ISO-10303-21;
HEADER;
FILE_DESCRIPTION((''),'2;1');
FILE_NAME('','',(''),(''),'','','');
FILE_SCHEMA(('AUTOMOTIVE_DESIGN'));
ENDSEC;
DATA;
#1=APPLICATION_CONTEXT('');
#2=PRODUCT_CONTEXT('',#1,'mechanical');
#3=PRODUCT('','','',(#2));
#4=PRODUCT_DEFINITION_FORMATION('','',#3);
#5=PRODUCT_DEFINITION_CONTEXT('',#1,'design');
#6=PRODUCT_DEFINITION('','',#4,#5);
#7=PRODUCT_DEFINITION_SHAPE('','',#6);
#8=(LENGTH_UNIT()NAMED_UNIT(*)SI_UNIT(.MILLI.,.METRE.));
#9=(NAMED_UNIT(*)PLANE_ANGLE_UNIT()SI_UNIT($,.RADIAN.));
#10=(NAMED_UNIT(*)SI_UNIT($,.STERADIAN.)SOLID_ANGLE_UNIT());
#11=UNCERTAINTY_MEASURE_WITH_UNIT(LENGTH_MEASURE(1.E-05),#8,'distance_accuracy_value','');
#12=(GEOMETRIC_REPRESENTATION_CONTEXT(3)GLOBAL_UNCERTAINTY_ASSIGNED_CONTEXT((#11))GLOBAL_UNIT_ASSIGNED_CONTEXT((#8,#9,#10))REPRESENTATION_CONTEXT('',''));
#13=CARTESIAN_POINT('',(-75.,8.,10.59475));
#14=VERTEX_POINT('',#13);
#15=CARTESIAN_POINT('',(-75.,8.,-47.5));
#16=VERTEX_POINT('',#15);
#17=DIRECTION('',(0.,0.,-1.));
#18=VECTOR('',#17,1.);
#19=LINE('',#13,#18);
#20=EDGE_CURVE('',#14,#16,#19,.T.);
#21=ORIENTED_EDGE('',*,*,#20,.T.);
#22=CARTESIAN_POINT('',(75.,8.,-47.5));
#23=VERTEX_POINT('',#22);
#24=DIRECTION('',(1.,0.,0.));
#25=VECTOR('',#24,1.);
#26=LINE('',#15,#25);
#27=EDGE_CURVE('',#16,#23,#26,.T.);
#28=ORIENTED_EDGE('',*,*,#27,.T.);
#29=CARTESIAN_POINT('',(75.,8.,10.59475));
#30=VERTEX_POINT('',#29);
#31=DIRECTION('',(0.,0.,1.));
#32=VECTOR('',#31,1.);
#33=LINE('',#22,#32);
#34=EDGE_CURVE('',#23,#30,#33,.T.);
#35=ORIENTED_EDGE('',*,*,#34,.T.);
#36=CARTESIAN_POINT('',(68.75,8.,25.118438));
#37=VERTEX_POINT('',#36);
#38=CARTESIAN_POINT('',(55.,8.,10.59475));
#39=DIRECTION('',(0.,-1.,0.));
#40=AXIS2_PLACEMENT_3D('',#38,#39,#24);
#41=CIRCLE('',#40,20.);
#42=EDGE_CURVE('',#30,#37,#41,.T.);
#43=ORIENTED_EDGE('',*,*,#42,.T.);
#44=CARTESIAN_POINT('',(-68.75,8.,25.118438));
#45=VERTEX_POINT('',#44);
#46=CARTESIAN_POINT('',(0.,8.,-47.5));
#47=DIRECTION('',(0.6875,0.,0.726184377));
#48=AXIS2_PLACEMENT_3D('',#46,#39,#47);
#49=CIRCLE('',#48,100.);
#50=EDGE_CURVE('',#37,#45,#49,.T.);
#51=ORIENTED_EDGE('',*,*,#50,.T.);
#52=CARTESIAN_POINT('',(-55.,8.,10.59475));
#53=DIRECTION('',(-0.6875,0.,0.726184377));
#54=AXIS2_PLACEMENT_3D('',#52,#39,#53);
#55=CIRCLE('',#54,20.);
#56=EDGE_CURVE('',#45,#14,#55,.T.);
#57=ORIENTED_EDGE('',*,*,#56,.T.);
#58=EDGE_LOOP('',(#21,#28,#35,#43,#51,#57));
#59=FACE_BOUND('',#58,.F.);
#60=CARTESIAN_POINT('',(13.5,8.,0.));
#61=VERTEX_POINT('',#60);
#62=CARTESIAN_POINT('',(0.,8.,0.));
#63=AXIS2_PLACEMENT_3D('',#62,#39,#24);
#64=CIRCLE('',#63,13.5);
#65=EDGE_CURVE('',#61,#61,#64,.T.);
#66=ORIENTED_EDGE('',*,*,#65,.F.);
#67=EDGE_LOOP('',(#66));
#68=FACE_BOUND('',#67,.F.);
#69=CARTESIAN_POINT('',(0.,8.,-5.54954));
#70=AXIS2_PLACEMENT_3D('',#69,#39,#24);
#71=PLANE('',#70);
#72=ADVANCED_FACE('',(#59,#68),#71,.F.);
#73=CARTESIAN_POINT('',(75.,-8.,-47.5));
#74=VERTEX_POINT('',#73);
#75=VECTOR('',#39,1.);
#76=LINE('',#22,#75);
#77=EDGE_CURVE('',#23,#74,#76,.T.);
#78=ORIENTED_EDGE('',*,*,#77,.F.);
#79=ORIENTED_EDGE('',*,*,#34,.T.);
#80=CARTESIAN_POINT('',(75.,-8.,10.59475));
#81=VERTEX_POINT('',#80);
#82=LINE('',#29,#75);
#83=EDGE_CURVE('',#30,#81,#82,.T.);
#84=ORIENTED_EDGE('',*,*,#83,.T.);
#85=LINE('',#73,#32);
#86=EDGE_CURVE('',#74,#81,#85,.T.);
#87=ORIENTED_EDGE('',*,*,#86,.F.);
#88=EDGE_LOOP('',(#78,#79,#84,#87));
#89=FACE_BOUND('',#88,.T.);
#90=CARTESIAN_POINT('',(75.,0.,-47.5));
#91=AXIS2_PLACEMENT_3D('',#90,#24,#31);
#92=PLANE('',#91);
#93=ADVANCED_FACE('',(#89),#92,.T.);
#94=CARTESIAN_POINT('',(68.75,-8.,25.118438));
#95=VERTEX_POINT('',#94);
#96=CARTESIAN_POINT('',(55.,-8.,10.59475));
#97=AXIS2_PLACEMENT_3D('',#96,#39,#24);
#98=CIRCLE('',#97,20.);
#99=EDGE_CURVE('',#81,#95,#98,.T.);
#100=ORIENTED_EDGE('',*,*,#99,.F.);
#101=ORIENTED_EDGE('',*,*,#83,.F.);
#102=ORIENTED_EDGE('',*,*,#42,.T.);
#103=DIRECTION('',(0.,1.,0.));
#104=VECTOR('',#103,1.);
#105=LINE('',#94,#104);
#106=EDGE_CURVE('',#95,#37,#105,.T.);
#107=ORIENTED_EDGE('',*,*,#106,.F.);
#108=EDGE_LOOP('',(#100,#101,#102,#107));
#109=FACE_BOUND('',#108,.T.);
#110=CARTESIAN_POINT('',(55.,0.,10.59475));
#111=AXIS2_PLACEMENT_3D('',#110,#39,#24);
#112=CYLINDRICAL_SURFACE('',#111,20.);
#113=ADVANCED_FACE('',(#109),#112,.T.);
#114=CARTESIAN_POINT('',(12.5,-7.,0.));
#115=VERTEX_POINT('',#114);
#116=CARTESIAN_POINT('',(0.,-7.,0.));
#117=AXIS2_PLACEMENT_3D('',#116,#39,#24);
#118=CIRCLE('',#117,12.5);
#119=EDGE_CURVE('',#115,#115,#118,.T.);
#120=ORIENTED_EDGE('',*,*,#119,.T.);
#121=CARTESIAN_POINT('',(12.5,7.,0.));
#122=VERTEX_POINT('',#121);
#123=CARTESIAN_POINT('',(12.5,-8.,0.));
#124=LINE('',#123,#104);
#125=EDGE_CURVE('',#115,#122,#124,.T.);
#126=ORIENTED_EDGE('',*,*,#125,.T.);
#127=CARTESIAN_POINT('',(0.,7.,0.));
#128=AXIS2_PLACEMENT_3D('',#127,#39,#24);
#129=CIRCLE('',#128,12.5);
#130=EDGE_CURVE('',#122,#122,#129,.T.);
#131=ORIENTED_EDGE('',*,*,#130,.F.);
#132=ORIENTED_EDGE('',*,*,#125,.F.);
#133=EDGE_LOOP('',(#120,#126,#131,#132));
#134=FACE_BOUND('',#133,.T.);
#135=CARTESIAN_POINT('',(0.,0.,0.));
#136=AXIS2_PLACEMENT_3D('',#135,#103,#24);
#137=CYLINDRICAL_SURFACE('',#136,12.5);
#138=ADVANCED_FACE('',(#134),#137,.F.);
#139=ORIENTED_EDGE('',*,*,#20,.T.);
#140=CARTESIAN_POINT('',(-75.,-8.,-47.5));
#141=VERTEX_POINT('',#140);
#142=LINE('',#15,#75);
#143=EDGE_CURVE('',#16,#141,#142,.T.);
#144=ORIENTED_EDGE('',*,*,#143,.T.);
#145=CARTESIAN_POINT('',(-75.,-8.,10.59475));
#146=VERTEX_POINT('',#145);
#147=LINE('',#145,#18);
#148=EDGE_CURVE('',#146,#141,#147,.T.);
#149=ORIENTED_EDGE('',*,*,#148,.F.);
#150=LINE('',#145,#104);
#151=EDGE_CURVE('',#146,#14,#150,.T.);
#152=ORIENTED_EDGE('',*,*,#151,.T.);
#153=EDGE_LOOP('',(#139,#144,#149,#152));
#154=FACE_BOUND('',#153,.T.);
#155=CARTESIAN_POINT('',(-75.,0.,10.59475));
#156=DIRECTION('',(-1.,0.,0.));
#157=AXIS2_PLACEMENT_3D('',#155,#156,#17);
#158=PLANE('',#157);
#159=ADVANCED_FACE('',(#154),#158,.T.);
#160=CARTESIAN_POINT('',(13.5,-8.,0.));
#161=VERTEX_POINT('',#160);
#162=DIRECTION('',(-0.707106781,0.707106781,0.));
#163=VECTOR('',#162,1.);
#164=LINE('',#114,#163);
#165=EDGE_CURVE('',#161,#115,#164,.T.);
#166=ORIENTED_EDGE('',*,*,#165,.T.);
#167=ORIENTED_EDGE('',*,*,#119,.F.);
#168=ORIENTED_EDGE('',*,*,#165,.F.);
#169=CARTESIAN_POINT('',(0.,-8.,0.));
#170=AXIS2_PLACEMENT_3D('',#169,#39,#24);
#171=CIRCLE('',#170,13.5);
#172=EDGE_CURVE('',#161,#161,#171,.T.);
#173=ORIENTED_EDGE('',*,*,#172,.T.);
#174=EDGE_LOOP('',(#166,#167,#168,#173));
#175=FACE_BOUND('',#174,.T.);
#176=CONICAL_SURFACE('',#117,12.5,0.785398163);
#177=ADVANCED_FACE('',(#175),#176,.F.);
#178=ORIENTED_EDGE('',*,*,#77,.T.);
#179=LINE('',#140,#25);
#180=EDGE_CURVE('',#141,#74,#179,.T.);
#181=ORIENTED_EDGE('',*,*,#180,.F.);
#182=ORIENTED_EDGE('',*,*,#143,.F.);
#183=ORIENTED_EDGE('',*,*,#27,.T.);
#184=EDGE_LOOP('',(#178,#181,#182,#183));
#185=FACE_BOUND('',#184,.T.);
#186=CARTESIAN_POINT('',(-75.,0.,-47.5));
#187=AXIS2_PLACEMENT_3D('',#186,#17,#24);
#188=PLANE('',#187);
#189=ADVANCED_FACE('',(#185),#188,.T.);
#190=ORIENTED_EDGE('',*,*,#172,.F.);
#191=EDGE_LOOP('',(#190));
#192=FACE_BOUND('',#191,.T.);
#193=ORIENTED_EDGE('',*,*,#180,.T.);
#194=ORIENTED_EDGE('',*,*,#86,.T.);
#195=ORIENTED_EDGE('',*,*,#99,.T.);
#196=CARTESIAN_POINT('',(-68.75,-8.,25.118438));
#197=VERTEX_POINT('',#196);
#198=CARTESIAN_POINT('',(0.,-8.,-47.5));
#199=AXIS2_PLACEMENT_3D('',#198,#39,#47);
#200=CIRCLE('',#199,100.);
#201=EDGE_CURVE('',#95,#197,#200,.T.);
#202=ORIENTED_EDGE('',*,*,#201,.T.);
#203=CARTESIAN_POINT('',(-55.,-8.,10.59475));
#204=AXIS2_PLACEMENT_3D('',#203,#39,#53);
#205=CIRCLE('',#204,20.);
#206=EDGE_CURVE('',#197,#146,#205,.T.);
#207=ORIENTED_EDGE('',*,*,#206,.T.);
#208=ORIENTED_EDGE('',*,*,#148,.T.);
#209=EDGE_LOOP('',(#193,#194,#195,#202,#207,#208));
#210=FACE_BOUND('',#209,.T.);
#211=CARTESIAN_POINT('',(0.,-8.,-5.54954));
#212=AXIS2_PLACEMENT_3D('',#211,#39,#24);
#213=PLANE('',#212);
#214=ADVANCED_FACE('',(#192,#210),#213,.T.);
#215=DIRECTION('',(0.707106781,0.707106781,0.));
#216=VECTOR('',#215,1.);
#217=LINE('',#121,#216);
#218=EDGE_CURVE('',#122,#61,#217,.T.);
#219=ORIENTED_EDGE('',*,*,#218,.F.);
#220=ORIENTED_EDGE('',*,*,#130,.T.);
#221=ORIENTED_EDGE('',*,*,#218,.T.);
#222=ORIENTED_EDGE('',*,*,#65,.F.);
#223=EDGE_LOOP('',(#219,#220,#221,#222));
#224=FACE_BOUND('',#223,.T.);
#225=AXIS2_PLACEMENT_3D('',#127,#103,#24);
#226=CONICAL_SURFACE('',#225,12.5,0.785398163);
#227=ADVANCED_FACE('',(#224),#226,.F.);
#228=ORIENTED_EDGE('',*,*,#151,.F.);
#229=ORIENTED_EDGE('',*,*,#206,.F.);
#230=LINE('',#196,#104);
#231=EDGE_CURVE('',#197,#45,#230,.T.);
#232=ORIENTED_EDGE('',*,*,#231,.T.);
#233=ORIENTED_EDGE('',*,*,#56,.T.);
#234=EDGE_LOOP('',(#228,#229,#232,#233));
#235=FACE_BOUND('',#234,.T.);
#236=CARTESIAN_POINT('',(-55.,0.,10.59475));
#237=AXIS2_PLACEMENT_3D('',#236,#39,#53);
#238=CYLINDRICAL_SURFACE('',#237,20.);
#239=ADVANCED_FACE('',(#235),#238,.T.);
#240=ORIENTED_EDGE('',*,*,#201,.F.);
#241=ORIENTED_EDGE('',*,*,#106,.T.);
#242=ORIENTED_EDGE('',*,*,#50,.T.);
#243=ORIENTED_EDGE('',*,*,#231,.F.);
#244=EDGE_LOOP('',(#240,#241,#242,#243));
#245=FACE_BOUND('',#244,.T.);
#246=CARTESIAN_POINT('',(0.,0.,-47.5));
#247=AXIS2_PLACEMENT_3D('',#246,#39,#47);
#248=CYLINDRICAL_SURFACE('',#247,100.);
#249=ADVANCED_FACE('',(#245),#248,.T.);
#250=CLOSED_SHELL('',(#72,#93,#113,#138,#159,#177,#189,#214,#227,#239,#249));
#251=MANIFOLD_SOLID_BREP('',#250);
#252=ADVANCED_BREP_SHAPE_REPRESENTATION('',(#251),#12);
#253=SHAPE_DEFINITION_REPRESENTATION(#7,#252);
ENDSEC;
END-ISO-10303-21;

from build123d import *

# Parameters (mm, degrees)
F0_R     = 12.5
F1_DEPTH = 8
F2_SIZE  = 1


with BuildPart() as f1:
    # F0 (on Front) → F1 (new body, symmetric)
    with BuildSketch(Plane.XZ):
        with BuildLine():
            Line((-75, 10.5947501931), (-75, -47.5))
            Line((-75, -47.5), (75, -47.5))
            Line((75, -47.5), (75, 10.5947501931))
            ThreePointArc((75, 10.5947501931), (73.3711730709, 18.5004443435), (68.75, 25.1184377414))
            ThreePointArc((68.75, 25.1184377414), (0, 52.5), (-68.75, 25.1184377414))
            ThreePointArc((-68.75, 25.1184377414), (-73.3711730709, 18.5004443435), (-75, 10.5947501931))
        make_face()
        Circle(F0_R, mode=Mode.SUBTRACT)
    extrude(amount=F1_DEPTH, both=True)

    # F2
    f2_edges = [f1.edges().sort_by_distance(p)[0] for p in [
        (-12.5, -8, 0),
        (-12.5, 8, 0),
    ]]
    chamfer(f2_edges, length=F2_SIZE)


solid = f1.part
